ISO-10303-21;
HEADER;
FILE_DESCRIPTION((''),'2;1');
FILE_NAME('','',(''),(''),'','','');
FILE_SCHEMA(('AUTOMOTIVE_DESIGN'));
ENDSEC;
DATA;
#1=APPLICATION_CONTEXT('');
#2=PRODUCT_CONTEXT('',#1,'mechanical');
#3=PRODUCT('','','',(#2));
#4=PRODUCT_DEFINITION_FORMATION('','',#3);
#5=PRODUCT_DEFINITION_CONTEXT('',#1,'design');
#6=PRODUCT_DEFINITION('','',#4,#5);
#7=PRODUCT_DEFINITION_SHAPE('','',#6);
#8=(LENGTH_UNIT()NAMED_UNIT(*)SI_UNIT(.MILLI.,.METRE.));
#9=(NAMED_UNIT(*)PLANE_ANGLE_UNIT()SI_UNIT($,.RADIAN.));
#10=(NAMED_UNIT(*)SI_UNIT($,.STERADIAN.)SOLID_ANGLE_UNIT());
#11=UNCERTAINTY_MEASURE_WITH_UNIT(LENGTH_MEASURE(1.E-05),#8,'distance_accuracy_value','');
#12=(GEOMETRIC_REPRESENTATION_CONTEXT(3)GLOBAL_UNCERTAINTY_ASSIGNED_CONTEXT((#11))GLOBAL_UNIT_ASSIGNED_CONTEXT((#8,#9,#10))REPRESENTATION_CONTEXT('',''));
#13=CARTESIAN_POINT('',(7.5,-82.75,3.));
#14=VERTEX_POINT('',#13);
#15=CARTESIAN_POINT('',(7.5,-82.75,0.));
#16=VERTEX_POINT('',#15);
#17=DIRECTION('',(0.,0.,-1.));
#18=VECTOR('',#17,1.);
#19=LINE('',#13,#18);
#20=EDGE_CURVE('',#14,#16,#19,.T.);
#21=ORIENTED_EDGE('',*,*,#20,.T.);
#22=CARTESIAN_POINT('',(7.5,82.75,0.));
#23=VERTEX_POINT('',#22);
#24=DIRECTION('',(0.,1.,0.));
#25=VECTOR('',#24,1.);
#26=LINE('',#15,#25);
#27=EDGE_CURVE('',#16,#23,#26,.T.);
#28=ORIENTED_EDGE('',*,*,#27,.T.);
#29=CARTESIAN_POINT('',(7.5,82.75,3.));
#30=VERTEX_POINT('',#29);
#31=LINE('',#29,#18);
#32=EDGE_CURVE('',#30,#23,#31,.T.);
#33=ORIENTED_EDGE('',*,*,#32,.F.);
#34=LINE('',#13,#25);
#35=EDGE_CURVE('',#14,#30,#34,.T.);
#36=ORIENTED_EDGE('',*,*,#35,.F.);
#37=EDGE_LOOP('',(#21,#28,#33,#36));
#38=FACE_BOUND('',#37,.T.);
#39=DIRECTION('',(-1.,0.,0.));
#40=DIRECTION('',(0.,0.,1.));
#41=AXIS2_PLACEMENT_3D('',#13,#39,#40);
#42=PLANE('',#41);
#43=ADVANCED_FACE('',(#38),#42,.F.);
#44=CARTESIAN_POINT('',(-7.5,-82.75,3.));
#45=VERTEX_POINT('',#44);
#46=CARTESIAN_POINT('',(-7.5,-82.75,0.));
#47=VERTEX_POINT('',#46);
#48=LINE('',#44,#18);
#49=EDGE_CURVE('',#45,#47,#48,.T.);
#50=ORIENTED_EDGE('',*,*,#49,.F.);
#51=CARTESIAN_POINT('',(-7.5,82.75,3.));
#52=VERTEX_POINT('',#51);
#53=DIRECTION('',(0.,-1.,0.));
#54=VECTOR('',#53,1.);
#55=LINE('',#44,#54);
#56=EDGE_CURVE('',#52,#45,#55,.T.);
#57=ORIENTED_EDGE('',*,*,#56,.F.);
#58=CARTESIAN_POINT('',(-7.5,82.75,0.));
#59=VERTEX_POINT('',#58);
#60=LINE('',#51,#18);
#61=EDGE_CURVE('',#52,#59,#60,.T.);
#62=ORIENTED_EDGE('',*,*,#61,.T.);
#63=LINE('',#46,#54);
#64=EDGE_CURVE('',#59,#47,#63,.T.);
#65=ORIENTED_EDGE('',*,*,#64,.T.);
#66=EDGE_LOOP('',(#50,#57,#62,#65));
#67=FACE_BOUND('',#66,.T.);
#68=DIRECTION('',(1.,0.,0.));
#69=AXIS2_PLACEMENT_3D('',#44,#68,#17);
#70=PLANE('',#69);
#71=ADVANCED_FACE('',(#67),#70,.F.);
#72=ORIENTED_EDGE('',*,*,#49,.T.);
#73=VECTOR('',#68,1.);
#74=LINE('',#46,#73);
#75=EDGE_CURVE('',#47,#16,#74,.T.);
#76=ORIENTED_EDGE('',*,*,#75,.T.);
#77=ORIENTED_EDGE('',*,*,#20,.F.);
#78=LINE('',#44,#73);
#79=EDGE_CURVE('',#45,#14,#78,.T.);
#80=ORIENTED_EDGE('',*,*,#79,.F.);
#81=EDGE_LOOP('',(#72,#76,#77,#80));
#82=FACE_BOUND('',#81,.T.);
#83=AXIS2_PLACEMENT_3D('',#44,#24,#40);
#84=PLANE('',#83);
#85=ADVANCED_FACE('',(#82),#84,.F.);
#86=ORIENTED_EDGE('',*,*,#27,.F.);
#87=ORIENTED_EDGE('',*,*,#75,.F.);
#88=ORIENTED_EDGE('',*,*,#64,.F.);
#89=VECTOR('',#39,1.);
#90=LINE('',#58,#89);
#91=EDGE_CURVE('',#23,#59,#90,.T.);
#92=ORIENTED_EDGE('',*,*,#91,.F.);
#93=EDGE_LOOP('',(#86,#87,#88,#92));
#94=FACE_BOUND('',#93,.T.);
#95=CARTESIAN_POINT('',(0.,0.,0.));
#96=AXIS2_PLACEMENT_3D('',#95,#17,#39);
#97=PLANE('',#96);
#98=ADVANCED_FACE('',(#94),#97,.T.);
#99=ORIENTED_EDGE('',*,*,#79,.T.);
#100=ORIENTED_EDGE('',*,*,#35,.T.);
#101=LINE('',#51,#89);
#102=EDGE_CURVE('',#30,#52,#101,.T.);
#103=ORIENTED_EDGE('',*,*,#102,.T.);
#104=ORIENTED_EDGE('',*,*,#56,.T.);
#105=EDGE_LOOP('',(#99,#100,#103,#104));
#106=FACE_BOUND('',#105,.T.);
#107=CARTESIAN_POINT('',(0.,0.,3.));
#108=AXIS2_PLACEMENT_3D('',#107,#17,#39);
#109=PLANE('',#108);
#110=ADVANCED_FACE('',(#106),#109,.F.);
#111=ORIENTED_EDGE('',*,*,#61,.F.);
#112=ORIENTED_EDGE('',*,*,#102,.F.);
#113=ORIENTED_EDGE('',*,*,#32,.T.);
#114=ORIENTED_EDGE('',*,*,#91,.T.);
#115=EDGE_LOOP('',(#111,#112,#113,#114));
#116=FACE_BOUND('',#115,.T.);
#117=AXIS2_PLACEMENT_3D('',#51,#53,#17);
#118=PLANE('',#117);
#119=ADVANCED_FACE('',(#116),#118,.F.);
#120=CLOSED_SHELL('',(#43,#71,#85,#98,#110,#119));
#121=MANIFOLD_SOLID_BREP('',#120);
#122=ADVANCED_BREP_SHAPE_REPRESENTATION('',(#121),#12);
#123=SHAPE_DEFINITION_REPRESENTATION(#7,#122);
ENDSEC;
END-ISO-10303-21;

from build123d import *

# Parameters (mm, degrees)
SKETCH_1_W      = 15
SKETCH_1_H      = 165.5
EXTRUDE_1_DEPTH = 3


with BuildPart() as part:
    # Эскиз1 → Бобышка-Вытянуть1 (new body)
    with BuildSketch(Plane.XY):
        Rectangle(SKETCH_1_W, SKETCH_1_H)
    extrude(amount=EXTRUDE_1_DEPTH)


solid = part.part
